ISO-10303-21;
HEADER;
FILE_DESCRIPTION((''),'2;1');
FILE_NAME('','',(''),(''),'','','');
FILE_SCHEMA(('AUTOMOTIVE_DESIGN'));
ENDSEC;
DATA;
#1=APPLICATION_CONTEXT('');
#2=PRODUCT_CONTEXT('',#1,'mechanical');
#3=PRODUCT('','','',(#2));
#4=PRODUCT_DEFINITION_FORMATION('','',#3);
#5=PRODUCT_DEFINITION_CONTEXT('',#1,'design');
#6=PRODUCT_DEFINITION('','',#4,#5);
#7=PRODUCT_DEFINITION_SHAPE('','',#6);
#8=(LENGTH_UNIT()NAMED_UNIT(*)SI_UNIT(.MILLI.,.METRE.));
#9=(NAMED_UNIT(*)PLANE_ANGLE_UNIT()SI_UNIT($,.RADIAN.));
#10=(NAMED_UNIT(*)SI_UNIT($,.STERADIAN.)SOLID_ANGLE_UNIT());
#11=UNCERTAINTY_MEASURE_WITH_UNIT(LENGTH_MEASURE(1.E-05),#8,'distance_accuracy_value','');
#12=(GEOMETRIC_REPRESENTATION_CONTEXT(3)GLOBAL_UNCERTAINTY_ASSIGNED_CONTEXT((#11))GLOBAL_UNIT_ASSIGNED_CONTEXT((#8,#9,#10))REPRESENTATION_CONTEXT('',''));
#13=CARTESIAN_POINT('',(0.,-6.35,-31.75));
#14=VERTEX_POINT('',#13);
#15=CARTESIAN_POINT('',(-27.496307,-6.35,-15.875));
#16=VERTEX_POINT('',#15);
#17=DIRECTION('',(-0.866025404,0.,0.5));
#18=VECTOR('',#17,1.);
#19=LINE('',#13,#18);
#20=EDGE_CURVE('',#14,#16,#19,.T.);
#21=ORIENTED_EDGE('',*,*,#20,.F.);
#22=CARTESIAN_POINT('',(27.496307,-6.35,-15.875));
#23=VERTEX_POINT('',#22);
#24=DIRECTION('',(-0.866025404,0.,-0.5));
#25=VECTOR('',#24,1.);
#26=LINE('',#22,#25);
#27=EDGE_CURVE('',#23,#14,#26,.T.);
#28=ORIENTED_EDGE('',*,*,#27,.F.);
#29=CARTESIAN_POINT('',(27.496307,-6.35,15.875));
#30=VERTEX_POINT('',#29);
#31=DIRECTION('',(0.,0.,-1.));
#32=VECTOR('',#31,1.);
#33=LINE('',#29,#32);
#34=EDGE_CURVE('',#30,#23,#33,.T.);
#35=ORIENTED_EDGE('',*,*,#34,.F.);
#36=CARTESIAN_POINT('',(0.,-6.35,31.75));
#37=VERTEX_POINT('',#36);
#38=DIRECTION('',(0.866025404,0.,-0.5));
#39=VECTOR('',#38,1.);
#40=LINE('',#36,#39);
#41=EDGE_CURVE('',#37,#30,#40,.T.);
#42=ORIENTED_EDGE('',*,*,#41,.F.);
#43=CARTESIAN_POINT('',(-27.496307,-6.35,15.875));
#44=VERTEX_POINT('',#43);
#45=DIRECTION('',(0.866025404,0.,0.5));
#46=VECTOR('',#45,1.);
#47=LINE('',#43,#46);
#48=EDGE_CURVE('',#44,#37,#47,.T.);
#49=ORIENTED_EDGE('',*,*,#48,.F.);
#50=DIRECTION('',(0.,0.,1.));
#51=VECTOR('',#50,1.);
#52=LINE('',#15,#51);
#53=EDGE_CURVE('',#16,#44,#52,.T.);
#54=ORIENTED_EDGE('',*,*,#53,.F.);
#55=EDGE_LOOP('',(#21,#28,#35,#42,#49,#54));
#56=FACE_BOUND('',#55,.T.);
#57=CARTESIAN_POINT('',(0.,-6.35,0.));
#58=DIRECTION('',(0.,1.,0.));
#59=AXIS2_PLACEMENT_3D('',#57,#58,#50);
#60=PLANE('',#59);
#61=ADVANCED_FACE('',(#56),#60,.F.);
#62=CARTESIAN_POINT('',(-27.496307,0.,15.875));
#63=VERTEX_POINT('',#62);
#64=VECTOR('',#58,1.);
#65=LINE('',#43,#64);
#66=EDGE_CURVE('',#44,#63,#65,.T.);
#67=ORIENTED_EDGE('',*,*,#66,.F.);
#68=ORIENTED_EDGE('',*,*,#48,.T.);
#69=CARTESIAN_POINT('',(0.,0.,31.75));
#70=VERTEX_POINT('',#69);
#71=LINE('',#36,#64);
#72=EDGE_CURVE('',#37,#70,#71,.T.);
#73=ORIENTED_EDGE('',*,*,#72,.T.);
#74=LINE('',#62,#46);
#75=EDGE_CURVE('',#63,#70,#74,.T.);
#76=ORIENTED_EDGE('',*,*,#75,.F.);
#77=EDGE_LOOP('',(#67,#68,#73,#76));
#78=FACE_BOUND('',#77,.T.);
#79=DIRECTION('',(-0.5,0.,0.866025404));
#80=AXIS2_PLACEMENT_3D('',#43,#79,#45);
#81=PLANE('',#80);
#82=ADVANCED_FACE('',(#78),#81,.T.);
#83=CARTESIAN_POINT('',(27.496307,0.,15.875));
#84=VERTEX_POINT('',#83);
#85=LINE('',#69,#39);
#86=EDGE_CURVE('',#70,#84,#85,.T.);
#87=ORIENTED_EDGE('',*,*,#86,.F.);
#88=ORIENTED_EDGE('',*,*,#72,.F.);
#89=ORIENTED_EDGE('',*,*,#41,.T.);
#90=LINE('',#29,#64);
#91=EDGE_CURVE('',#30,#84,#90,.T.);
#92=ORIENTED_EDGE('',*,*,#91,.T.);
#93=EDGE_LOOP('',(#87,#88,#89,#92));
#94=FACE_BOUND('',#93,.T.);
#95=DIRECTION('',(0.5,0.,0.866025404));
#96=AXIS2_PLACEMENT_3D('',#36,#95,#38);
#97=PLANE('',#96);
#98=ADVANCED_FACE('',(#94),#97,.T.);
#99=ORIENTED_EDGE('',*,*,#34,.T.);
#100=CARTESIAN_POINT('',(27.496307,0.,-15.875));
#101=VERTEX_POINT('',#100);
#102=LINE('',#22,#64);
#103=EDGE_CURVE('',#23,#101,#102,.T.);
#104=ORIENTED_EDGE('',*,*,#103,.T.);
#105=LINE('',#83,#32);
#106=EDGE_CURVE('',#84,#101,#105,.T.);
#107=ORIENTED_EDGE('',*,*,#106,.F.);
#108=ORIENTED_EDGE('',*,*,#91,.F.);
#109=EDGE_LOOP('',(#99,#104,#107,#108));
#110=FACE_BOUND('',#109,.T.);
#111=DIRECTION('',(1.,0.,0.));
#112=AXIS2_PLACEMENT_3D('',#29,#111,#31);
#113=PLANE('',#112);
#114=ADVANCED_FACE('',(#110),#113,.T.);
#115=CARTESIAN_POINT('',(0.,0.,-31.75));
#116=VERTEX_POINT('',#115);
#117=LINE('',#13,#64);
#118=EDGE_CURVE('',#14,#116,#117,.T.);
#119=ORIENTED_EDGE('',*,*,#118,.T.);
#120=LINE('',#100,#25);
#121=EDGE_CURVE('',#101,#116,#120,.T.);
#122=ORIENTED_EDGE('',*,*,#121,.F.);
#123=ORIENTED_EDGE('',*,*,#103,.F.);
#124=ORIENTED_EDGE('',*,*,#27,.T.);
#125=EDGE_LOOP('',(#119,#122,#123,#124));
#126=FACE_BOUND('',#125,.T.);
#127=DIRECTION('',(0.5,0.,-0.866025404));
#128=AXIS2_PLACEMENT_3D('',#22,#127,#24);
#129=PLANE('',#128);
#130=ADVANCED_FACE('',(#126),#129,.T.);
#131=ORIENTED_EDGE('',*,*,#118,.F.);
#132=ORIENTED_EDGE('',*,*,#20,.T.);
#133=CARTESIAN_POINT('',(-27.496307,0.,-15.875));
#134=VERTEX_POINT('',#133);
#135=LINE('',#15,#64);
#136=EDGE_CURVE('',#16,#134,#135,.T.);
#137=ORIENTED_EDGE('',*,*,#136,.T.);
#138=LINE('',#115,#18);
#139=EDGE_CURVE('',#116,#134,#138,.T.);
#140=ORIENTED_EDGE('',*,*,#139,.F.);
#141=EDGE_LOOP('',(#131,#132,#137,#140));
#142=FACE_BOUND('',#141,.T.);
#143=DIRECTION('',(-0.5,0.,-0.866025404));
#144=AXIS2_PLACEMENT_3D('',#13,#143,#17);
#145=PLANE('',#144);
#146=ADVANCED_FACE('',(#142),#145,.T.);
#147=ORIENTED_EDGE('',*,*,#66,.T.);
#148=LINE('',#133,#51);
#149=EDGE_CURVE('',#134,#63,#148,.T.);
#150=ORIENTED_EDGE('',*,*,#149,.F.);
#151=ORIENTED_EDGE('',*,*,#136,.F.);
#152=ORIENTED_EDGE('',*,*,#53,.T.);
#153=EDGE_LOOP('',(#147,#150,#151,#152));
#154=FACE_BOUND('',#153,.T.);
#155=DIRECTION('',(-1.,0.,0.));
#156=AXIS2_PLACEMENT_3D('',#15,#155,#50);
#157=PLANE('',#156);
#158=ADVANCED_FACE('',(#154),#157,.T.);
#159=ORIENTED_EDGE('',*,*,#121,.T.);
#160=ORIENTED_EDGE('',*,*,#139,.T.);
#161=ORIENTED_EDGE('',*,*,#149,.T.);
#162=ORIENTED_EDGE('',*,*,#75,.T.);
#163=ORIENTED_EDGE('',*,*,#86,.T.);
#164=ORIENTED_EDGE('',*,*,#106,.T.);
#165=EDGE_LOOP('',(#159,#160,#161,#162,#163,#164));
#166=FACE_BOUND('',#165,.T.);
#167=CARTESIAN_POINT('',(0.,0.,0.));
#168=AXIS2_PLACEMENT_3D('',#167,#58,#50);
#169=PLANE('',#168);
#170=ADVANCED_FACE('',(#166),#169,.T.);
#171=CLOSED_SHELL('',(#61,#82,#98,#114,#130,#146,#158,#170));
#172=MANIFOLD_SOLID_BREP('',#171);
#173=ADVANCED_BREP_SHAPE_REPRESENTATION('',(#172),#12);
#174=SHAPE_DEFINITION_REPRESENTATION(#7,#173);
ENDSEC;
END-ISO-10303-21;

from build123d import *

# Parameters (mm, degrees)
BOSS_EXTRUDE1_DEPTH = 6.35


with BuildPart() as part:
    # Sketch1 → Boss-Extrude1 (new body)
    with BuildSketch(Plane(origin=(0, 0, 0), x_dir=(1, 0, 0), z_dir=(0, 1, 0))):
        Polygon((27.49630657, 15.875), (0, 31.75), (-27.49630657, 15.875), (-27.49630657, -15.875), (0, -31.75), (27.49630657, -15.875), align=None)
    extrude(amount=-BOSS_EXTRUDE1_DEPTH)


solid = part.part
